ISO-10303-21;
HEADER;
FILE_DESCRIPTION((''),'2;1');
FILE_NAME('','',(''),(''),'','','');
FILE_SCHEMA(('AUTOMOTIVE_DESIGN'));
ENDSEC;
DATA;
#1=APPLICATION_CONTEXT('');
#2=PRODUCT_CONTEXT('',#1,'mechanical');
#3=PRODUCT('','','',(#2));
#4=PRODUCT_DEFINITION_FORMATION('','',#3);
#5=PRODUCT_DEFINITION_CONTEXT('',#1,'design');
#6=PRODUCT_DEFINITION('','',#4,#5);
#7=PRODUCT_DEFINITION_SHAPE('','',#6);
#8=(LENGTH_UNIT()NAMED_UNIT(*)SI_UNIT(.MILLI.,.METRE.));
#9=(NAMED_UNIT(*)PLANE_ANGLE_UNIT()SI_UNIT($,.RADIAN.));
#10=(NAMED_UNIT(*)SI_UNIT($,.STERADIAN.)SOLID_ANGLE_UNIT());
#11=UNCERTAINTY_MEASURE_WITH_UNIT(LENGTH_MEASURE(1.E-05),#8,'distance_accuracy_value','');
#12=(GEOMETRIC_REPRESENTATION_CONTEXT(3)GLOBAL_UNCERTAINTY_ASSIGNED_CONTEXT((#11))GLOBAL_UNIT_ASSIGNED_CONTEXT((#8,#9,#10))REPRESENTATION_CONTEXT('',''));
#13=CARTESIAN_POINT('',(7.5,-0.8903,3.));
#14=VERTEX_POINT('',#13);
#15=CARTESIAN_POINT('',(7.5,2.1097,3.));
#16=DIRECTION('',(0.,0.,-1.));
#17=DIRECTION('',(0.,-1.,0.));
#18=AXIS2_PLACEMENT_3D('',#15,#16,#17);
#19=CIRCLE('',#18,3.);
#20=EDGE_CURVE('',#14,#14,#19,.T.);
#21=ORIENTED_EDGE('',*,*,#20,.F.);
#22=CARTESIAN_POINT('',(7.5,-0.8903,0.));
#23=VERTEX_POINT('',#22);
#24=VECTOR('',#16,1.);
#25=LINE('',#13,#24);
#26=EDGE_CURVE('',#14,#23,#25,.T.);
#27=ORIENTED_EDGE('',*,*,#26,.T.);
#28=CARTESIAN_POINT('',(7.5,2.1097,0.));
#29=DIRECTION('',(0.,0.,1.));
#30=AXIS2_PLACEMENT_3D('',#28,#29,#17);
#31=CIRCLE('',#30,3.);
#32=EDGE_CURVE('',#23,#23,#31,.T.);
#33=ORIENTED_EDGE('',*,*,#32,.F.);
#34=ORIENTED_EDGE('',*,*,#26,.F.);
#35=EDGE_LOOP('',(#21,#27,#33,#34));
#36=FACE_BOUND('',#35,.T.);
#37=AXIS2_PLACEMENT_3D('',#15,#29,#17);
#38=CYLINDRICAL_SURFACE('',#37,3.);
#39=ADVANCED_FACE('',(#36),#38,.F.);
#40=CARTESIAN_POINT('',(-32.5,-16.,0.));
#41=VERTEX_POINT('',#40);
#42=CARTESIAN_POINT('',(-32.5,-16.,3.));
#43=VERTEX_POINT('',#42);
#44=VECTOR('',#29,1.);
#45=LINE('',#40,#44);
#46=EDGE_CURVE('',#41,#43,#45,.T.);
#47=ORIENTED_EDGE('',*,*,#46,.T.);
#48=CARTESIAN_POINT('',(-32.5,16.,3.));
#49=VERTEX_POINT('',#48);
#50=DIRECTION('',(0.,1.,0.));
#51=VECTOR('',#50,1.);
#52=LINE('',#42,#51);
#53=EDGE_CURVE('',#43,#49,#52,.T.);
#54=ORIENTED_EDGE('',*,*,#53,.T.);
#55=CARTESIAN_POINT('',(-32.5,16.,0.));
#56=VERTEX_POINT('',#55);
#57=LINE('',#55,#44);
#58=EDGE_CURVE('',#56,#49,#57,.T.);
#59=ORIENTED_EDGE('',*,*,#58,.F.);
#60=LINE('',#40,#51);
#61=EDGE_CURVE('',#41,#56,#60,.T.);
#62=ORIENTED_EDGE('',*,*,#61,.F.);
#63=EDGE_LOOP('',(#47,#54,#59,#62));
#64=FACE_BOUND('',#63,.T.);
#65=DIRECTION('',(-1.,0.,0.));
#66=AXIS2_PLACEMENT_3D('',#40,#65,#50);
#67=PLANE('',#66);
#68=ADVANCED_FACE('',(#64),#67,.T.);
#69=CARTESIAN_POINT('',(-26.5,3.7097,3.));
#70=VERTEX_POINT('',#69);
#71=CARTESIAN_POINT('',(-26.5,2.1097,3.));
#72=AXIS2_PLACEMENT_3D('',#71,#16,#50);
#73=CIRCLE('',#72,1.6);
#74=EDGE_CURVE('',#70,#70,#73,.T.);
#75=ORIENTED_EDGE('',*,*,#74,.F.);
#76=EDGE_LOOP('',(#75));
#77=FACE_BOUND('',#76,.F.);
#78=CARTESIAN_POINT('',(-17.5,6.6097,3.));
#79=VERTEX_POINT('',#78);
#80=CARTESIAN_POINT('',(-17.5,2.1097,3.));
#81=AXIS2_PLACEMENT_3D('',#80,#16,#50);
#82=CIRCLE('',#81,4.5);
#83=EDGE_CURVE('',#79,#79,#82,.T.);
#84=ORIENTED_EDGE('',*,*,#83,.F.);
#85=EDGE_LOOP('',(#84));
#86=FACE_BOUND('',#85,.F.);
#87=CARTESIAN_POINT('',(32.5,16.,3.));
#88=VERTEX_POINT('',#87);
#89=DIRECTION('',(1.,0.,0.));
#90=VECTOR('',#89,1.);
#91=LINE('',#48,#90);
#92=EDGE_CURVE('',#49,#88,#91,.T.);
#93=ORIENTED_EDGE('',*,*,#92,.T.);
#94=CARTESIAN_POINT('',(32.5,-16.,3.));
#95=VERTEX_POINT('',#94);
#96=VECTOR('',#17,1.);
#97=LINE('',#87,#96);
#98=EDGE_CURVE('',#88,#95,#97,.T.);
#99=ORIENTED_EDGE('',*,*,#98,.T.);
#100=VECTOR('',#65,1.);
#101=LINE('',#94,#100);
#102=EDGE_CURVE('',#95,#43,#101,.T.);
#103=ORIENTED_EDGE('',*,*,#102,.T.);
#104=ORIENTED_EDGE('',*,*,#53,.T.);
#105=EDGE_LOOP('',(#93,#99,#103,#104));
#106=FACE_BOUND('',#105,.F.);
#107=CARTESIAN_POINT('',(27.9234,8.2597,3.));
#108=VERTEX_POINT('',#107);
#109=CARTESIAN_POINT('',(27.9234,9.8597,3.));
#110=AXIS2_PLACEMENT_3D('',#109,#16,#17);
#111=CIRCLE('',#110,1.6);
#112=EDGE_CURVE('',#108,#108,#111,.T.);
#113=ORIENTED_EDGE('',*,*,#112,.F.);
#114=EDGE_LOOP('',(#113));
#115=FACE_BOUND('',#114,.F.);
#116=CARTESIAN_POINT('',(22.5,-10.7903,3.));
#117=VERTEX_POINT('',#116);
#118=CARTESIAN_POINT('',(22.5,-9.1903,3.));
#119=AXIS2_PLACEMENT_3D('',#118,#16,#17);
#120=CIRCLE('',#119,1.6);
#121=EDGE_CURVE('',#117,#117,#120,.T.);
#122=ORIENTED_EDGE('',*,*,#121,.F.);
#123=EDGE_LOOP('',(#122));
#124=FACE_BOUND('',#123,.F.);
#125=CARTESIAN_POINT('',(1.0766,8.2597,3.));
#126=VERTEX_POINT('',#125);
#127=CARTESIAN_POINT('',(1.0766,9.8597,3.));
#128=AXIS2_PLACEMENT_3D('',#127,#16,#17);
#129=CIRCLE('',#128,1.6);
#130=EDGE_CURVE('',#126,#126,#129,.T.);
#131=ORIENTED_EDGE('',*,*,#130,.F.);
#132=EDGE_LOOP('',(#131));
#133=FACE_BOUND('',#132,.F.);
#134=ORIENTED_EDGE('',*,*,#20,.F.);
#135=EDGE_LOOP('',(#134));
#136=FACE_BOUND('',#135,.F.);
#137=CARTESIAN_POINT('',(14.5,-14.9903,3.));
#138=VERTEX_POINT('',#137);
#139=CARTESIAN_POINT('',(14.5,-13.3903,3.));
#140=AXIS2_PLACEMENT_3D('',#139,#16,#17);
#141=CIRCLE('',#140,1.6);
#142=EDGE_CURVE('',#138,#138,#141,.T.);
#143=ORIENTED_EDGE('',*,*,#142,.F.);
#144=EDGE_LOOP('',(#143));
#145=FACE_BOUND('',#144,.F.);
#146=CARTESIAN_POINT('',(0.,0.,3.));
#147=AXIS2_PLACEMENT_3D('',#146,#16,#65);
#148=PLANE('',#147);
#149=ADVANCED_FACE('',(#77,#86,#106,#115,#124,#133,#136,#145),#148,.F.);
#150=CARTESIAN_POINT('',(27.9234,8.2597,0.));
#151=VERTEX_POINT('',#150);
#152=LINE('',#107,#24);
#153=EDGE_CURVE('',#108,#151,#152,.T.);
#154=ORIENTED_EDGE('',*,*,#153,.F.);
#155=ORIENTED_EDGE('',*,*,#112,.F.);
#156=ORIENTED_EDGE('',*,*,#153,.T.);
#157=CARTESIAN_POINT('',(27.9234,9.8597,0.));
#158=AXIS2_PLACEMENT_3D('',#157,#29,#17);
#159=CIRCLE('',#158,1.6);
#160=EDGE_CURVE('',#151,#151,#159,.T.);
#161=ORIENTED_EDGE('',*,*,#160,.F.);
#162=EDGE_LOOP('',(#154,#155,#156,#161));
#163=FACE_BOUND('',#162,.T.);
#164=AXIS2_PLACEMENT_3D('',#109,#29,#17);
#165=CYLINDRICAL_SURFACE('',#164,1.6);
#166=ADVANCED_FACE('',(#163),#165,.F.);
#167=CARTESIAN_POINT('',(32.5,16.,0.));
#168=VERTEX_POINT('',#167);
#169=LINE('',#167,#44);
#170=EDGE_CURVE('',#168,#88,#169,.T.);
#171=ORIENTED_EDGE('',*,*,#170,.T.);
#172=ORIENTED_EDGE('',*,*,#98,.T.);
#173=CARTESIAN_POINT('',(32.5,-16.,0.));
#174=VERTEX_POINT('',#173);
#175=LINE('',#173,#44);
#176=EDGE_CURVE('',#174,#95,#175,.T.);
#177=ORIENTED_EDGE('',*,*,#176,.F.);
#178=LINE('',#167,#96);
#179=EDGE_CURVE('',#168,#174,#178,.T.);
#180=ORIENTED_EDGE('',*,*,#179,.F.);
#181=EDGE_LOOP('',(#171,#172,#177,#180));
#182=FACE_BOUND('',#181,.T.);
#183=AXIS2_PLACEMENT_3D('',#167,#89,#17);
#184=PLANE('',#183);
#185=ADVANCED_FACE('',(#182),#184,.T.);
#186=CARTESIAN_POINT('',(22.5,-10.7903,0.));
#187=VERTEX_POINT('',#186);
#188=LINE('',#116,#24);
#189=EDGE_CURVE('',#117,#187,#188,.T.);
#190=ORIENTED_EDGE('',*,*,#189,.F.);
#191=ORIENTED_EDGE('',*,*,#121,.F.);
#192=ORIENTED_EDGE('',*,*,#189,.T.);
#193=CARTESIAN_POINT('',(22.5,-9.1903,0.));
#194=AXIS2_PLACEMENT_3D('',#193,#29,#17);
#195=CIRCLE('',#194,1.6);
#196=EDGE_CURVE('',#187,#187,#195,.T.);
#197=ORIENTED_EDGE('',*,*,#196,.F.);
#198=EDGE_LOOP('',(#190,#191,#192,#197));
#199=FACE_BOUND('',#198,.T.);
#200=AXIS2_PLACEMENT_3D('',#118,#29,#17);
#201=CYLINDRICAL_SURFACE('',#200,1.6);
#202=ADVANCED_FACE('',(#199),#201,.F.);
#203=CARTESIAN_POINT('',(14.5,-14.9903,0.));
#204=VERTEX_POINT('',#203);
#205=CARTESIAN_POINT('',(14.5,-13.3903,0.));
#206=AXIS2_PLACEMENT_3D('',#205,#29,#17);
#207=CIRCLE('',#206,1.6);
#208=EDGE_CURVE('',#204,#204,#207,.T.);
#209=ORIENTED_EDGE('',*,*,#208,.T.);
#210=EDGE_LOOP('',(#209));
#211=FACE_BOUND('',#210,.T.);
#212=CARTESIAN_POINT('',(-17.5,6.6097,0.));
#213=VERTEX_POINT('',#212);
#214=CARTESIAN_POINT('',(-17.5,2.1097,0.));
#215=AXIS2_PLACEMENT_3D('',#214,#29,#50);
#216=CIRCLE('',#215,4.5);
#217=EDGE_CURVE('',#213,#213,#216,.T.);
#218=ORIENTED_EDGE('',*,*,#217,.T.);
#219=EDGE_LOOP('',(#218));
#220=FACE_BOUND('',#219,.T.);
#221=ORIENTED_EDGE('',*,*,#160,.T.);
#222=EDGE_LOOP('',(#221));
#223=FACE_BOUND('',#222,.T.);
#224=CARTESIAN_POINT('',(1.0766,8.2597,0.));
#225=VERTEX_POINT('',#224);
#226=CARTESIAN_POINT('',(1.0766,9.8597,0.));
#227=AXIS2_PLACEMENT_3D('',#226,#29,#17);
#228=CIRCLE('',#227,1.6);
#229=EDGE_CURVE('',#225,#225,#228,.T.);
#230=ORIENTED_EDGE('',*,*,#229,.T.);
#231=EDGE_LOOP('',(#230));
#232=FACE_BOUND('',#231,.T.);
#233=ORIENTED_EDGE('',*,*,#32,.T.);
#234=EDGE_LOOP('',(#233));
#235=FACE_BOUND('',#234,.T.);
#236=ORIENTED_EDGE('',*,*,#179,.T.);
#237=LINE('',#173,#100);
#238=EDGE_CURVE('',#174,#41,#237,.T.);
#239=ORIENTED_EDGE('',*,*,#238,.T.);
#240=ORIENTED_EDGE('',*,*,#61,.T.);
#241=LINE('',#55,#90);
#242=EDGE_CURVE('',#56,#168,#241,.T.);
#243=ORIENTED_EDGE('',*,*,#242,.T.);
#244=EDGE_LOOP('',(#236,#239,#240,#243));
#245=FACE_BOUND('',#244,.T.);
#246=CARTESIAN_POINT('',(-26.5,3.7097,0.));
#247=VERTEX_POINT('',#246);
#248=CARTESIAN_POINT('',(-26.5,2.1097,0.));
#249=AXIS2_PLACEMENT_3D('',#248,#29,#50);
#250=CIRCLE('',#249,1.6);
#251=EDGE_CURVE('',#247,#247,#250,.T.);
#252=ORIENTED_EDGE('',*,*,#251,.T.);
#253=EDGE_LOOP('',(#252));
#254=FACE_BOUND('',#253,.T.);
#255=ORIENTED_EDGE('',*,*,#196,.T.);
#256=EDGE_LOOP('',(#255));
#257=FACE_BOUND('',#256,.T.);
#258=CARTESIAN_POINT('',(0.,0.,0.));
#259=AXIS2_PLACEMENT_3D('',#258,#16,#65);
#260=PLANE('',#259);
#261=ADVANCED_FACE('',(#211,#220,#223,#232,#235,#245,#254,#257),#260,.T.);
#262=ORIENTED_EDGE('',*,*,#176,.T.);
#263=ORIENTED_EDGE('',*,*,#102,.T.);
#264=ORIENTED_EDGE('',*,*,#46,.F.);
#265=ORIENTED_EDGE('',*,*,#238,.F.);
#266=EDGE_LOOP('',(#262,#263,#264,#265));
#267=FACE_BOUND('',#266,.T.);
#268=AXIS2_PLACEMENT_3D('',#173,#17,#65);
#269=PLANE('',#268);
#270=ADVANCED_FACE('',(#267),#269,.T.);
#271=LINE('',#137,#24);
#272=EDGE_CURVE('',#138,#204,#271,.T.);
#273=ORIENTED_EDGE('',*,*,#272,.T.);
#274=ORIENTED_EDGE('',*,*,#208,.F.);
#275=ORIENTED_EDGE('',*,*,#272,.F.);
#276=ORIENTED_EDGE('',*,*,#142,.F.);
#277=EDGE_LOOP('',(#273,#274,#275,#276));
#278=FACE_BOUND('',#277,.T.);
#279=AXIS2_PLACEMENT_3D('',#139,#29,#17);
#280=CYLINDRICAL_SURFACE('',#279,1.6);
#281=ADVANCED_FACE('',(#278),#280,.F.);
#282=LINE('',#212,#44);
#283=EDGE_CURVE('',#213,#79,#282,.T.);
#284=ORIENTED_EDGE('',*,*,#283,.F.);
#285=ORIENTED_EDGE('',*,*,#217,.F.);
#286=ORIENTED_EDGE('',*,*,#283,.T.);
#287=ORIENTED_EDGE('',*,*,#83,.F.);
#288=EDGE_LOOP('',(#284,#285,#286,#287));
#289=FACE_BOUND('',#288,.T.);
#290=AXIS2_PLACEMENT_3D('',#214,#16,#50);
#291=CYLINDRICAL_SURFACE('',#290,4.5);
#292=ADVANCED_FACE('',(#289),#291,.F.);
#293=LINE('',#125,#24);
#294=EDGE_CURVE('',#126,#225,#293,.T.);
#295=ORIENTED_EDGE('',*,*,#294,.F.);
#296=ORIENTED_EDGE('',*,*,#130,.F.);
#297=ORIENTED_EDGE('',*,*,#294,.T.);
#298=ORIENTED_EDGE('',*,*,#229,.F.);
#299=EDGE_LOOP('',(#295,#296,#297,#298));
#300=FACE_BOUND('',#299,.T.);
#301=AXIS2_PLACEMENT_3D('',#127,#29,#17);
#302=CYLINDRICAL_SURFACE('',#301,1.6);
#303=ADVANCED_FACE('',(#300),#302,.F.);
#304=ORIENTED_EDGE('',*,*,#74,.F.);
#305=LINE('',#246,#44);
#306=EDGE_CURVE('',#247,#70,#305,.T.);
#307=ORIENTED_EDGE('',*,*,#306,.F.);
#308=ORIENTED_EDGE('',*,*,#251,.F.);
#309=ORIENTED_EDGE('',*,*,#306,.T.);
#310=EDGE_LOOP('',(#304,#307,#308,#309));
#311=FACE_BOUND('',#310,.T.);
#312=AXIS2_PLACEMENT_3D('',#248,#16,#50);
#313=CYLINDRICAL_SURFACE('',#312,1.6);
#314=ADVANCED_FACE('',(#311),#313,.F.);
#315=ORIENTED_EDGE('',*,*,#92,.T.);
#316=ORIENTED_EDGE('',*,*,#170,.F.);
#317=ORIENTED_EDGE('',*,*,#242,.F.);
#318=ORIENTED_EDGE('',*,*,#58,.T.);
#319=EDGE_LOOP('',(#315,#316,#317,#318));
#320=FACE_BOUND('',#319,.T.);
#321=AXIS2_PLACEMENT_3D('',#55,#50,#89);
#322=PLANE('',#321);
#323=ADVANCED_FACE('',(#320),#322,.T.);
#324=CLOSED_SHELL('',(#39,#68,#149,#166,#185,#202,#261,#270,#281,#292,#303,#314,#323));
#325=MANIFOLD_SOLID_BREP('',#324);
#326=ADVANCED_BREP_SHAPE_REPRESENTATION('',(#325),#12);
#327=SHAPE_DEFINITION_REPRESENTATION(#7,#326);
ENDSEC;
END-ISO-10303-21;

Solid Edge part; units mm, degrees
sketch "Sketch1" plane through (0, 0, 0) normal (0, 0, 1) x (1, 0, 0)
  line L0 (32.5, -16) -> (-32.5, -16)
  line L1 (-32.5, -16) -> (-32.5, 16)
  line L2 (-32.5, 16) -> (32.5, 16)
  line L3 (32.5, 16) -> (32.5, -16)
  dimension "D1" = 32
  dimension "D2" = 65
extrude "Protrusion1" add sketch "Sketch1" along normal blind 3
hole "Hole_1" at (7.5, 2.1097, 3) direction (0, 0, -1) diameter 6 end through all
hole "Hole_2" at (14.5, -13.3903, 3) direction (0, 0, -1) diameter 3.2 end through all
hole "Hole1" at (1.0766, 9.8597, 3) direction (0, 0, -1) diameter 3.2 end through all
hole "Hole2" at (27.9234, 9.8597, 3) direction (0, 0, -1) diameter 3.2 end through all
hole "Hole3" at (22.5, -9.1903, 3) direction (0, 0, -1) diameter 3.2 end through all
hole "Hole_6" at (-17.5, 2.1097, 0) direction (0, 0, 1) diameter 9 end through all
hole "Hole_7" at (-26.5, 2.1097, 0) direction (0, 0, 1) diameter 3.2 end through all
